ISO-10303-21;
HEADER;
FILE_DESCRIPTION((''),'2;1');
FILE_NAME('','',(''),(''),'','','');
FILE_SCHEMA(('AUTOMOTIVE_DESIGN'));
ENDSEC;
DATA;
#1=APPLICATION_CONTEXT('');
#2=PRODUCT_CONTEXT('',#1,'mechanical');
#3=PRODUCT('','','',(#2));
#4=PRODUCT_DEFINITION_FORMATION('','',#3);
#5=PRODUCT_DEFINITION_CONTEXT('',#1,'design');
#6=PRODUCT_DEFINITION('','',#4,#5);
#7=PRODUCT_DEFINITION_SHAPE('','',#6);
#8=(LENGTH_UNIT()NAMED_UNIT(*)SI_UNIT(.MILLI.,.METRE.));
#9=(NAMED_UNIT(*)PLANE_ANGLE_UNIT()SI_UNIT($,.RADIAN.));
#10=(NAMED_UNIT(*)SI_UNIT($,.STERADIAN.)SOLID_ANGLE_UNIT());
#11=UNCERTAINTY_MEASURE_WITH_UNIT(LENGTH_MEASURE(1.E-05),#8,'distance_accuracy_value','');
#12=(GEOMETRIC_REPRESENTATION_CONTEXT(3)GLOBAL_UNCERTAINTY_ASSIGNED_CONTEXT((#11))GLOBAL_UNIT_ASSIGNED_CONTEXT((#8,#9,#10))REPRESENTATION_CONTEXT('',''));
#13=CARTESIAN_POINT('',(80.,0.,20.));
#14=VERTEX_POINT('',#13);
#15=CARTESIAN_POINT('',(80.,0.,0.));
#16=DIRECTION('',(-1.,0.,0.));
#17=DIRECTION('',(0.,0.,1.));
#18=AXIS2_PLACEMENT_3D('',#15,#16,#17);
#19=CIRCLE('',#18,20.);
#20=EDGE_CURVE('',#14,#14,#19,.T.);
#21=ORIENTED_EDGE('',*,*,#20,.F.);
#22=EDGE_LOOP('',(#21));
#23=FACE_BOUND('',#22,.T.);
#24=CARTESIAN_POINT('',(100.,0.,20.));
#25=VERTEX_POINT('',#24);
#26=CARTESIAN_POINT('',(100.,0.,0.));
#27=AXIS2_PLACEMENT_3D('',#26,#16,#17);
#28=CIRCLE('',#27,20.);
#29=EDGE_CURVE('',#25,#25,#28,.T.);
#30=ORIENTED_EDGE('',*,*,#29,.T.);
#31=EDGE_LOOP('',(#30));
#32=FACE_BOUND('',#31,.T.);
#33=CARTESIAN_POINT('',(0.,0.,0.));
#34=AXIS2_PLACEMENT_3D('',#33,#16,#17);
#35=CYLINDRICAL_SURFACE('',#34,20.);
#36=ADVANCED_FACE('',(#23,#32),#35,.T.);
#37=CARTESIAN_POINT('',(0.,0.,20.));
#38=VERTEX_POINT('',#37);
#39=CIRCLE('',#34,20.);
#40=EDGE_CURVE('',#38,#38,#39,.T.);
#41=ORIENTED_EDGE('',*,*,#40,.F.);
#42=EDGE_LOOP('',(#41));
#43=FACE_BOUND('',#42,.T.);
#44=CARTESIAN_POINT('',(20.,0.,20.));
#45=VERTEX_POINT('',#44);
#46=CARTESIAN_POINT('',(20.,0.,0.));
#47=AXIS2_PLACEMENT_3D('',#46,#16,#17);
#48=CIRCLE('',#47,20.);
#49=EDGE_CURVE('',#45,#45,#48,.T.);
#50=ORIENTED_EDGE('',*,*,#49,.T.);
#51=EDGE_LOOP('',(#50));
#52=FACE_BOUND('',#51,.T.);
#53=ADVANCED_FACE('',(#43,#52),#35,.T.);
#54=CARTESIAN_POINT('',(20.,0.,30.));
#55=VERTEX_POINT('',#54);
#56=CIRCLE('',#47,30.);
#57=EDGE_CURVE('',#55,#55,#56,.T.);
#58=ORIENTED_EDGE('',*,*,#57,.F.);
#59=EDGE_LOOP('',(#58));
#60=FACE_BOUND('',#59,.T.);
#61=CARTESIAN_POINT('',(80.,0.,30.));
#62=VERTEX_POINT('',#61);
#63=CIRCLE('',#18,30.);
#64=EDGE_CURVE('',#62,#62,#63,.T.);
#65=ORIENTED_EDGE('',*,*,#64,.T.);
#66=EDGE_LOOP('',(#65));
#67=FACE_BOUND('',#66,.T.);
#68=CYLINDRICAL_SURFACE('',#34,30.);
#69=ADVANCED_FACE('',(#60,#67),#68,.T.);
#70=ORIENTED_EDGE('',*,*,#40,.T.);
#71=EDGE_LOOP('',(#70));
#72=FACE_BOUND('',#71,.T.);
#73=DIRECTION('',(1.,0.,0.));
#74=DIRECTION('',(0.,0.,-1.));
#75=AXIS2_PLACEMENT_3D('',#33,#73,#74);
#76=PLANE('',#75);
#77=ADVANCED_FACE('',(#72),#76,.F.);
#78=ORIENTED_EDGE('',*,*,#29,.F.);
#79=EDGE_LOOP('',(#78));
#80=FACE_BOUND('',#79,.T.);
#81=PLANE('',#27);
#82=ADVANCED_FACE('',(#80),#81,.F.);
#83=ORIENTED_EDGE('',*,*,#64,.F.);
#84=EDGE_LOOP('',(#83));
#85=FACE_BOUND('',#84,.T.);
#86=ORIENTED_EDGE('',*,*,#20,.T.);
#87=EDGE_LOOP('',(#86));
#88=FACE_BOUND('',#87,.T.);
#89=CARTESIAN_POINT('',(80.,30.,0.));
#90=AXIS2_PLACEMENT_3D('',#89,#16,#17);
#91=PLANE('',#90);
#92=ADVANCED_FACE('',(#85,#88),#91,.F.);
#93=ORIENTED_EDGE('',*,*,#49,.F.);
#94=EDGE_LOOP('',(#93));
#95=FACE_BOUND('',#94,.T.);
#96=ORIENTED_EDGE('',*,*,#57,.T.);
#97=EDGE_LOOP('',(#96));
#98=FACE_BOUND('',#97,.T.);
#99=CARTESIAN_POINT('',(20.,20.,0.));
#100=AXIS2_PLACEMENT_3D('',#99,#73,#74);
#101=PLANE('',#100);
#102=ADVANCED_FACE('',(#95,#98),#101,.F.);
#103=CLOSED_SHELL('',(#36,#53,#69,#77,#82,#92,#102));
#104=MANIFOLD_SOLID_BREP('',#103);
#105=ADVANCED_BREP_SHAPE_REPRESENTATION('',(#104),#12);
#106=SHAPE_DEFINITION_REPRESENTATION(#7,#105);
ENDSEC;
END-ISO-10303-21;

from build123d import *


with BuildPart() as part:
    # Эскиз1 → Повернуть1 (revolve)
    with BuildSketch(Plane.XY, mode=Mode.PRIVATE) as revolve_1_sk:
        Polygon((0, 0), (100, 0), (100, 20), (80, 20), (80, 30), (20, 30), (20, 20), (0, 20), align=None)
    revolve(revolve_1_sk.sketch.rotate(Axis((0, 0, 0), (1, 0, 0)), 90), axis=Axis((0, 0, 0), (1, 0, 0)))


solid = part.part
